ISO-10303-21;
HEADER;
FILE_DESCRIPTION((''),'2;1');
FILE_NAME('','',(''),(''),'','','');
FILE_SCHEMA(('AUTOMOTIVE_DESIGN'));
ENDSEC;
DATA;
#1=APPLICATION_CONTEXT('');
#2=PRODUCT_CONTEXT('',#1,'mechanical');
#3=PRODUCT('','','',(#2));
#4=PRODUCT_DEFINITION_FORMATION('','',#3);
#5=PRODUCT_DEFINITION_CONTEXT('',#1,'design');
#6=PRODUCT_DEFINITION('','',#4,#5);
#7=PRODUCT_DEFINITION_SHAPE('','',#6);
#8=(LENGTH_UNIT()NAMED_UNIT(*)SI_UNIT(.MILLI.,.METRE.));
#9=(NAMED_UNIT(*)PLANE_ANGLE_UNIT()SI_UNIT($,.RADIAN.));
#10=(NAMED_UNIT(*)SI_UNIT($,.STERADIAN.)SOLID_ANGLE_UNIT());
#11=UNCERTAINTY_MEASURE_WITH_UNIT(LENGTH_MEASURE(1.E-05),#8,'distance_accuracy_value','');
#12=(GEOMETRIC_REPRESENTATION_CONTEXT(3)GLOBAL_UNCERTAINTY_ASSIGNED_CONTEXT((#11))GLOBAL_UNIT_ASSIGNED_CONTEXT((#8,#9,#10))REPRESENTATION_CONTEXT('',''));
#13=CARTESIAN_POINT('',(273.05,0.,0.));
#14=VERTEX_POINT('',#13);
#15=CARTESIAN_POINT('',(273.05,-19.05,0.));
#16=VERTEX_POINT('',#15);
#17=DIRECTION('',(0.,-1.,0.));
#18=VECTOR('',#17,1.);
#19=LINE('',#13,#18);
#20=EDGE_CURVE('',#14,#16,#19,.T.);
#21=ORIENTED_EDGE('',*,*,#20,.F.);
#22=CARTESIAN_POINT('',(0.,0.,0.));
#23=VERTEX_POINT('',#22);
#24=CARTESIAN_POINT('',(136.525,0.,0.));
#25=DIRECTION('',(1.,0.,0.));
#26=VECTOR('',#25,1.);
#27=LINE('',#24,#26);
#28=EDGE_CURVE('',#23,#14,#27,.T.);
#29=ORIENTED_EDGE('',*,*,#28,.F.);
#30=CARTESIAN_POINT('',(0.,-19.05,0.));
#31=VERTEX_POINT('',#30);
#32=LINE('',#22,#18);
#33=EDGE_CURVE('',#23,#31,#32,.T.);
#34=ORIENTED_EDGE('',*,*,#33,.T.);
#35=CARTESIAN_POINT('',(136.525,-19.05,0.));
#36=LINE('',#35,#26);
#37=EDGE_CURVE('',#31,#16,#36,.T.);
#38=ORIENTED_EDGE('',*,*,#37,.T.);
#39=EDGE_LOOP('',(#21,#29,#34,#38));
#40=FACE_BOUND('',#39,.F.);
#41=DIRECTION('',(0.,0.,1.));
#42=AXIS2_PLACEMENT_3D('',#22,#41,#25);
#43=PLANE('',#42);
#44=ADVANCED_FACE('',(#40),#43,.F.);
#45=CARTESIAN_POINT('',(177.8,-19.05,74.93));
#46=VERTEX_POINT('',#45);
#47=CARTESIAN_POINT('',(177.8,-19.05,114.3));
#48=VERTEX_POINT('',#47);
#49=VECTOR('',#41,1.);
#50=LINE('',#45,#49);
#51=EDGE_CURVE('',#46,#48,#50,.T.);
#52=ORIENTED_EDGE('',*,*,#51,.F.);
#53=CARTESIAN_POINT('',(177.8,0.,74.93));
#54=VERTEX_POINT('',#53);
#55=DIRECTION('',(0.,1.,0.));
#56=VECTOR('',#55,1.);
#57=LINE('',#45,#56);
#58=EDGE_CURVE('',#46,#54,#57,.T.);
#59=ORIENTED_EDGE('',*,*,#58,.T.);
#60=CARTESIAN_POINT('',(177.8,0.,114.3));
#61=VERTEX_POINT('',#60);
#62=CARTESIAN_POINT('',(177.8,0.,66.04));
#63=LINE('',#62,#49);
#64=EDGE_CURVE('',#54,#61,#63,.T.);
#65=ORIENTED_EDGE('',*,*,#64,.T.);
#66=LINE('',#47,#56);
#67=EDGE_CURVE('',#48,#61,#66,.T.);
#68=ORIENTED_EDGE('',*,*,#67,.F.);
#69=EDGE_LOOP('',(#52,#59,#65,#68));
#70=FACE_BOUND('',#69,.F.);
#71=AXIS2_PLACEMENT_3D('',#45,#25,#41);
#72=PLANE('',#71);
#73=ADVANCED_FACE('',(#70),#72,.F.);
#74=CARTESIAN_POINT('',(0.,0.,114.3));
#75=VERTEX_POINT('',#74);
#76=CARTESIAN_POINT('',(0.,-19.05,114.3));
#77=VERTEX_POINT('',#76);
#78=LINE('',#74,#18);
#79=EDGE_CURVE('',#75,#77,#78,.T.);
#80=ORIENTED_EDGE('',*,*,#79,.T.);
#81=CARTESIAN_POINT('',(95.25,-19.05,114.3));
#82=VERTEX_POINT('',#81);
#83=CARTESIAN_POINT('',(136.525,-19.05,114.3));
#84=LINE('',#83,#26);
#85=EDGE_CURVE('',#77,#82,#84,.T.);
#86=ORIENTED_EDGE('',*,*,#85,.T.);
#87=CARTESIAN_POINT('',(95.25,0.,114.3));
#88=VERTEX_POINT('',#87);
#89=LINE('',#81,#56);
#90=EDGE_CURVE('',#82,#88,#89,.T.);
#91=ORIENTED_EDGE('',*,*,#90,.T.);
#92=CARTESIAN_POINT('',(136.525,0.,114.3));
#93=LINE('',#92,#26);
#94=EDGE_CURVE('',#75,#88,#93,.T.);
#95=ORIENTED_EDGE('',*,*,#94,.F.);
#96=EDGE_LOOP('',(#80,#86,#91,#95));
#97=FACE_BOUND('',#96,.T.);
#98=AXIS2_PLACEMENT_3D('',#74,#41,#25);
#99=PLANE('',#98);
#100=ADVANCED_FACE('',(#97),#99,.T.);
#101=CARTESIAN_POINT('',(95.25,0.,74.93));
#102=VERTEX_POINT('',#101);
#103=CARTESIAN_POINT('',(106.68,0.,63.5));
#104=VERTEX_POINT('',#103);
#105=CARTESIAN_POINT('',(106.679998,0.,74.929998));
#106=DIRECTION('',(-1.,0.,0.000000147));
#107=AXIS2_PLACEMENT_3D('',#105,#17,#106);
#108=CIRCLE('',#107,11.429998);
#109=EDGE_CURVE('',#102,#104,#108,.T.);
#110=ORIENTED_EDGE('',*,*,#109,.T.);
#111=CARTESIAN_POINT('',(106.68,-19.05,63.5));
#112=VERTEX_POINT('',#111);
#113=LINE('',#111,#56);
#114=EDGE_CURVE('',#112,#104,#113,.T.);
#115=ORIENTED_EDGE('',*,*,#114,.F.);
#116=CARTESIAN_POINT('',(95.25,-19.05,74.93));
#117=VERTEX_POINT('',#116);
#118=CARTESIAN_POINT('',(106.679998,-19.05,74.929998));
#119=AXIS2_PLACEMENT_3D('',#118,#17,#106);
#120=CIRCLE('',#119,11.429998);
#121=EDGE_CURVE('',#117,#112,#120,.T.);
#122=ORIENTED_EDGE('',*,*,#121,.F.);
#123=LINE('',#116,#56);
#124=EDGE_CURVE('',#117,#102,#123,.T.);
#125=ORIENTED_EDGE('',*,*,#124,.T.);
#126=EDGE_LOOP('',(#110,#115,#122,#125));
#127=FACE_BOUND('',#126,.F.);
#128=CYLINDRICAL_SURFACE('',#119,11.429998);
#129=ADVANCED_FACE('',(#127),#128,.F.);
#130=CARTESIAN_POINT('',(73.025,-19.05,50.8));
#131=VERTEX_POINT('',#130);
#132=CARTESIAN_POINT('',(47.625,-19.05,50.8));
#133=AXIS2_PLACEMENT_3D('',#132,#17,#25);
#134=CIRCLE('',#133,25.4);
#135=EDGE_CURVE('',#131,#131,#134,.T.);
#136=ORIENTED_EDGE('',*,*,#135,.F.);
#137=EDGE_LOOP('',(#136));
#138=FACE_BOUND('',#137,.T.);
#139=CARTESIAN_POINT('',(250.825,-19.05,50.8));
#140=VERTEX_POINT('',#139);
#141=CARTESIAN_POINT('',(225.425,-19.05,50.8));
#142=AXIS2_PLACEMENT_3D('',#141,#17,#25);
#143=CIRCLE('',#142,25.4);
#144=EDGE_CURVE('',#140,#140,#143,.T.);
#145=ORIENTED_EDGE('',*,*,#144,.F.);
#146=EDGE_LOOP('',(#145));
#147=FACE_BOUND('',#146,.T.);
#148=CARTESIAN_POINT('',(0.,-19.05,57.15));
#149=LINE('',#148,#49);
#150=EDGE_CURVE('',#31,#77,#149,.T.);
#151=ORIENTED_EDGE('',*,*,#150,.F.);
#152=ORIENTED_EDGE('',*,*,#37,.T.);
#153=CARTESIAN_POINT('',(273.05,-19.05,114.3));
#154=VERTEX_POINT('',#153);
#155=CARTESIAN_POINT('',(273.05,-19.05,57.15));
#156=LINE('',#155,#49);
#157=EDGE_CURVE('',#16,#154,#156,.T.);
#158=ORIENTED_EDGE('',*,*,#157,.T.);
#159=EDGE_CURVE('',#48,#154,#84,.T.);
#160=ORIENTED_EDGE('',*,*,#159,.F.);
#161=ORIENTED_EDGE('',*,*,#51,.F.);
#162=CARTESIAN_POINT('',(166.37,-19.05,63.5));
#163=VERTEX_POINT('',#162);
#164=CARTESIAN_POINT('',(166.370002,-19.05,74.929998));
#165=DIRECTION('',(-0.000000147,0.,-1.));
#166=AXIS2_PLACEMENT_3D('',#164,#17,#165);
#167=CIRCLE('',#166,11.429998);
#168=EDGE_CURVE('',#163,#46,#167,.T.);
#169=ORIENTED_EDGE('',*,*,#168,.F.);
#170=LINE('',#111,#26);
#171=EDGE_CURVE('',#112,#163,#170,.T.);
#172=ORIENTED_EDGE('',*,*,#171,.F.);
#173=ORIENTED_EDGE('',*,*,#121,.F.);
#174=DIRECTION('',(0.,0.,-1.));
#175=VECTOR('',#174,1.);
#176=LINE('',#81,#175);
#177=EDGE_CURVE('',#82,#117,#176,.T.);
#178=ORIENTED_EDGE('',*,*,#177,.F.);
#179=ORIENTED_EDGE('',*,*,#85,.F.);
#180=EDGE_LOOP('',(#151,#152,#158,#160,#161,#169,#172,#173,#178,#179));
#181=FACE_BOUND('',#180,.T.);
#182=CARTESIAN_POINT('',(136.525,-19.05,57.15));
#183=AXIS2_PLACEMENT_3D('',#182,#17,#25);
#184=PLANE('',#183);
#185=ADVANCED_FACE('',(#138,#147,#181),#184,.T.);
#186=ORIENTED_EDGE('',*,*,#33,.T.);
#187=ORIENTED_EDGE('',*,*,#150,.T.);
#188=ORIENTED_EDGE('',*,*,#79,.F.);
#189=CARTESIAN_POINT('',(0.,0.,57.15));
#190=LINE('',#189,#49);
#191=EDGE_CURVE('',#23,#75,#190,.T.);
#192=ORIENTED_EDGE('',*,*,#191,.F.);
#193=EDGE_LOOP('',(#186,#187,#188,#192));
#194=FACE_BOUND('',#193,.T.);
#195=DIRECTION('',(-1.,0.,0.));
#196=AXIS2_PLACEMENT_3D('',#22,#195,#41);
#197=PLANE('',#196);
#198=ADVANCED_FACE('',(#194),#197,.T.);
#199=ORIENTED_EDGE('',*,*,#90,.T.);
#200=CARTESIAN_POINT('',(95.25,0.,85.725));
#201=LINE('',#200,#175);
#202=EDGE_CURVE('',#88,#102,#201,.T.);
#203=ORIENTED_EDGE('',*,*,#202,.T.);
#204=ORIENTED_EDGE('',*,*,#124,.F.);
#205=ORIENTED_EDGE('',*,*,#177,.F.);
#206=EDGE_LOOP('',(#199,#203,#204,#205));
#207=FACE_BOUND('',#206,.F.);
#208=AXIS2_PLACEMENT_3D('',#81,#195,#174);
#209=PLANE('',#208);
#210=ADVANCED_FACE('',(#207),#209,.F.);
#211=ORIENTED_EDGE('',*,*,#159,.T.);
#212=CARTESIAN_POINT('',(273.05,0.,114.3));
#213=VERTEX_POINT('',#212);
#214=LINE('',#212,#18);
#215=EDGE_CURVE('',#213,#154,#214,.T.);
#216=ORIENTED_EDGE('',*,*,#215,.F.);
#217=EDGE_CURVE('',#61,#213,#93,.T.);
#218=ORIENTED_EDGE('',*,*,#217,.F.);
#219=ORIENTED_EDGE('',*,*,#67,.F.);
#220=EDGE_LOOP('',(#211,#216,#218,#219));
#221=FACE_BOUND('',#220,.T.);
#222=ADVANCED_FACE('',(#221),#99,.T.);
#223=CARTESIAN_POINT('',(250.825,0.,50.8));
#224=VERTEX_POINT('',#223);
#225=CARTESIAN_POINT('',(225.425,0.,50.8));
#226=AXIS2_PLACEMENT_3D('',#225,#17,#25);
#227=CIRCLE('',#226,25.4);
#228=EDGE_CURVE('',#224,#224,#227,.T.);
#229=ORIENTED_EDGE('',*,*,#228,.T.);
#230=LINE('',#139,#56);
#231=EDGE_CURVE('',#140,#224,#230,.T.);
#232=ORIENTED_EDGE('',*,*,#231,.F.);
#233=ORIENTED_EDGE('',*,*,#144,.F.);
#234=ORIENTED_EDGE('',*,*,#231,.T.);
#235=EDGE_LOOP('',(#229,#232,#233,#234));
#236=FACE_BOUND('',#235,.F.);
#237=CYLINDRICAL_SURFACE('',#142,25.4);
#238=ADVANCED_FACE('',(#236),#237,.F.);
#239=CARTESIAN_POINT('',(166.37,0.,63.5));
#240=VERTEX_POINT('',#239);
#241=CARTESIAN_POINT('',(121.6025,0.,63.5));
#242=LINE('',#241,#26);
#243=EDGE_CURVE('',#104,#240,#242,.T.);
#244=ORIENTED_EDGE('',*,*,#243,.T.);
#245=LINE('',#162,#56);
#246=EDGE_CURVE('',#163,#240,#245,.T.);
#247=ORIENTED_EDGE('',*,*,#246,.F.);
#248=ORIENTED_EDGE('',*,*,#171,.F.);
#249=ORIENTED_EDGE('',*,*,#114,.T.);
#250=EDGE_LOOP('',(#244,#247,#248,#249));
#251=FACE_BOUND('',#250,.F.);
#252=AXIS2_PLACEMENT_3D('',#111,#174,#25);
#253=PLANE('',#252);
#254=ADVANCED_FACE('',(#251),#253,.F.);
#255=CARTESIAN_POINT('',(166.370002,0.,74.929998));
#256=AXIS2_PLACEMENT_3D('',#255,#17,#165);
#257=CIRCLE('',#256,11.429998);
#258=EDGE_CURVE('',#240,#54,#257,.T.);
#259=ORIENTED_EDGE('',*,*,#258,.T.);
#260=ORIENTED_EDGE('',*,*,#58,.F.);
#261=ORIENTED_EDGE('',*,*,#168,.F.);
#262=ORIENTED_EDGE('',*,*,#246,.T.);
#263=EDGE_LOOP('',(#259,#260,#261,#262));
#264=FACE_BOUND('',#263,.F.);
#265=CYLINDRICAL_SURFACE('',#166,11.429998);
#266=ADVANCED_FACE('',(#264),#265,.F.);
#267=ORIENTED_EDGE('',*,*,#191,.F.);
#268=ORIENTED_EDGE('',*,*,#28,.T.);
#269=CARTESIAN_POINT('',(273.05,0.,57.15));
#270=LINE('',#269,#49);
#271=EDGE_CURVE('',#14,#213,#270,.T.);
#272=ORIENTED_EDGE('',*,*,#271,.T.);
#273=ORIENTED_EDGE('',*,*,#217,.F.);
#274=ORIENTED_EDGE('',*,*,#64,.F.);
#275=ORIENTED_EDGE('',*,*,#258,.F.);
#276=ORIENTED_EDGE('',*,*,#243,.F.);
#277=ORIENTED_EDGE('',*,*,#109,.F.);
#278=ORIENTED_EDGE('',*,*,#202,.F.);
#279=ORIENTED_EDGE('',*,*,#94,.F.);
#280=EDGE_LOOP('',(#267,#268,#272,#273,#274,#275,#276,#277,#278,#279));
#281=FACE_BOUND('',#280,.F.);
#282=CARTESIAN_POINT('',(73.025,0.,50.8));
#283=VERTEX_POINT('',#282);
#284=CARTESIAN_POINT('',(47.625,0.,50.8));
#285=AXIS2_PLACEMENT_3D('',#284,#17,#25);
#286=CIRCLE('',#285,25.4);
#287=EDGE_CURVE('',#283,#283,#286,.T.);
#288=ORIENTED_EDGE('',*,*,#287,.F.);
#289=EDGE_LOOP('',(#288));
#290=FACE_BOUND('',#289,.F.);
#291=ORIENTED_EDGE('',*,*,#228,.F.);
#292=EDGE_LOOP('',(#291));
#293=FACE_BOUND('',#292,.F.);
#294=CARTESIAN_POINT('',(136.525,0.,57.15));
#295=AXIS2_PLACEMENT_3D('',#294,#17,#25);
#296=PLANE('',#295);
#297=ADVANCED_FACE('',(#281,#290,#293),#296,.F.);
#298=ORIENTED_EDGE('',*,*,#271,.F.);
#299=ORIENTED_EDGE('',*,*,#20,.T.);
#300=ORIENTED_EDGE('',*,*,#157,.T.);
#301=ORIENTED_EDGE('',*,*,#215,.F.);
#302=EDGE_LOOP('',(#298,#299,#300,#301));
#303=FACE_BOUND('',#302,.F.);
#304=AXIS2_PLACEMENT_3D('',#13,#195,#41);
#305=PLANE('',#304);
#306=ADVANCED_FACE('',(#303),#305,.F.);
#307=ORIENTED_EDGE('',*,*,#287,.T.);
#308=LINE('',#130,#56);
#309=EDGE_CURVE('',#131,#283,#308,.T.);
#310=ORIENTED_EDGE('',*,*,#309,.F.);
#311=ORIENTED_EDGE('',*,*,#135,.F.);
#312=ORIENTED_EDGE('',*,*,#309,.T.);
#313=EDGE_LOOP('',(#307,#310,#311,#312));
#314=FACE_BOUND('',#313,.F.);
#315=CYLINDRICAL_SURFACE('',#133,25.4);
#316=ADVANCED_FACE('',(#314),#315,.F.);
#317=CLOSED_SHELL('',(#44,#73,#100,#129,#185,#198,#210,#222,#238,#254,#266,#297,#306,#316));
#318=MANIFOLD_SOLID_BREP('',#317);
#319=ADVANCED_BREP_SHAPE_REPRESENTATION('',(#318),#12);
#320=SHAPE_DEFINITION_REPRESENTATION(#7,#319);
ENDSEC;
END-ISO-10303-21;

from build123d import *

# Parameters (mm, degrees)
F0_W     = 273.05
F0_H     = 114.3
F1_DEPTH = 19.05
F2_R     = 25.4
F3_DEPTH = 25.4
F5_DEPTH = 25.4


with BuildPart() as f1:
    # F0 (on Front) → F1 (new body)
    with BuildSketch(Plane.XZ):
        with Locations((136.525, 57.15)):
            Rectangle(F0_W, F0_H)
    extrude(amount=F1_DEPTH)

    # F2 (on face) → F3 (cut)
    with BuildSketch(Plane.XZ.offset(19.05)):
        with Locations((225.425, 50.8)):
            Circle(F2_R)
        with Locations((47.625, 50.8)):
            Circle(F2_R)
    extrude(amount=-F3_DEPTH, mode=Mode.SUBTRACT)

    # F4 (on face) → F5 (cut)
    with BuildSketch(Plane.XZ.offset(19.05)):
        with BuildLine():
            Line((177.8, 114.3), (95.25, 114.3))
            Line((95.25, 114.3), (95.25, 74.93))
            ThreePointArc((95.25, 74.93), (98.597769, 66.847769), (106.68, 63.5))
            Line((106.68, 63.5), (166.37, 63.5))
            ThreePointArc((166.37, 63.5), (174.452231, 66.847769), (177.8, 74.93))
            Line((177.8, 74.93), (177.8, 114.3))
        make_face()
    extrude(amount=-F5_DEPTH, mode=Mode.SUBTRACT)


solid = f1.part
